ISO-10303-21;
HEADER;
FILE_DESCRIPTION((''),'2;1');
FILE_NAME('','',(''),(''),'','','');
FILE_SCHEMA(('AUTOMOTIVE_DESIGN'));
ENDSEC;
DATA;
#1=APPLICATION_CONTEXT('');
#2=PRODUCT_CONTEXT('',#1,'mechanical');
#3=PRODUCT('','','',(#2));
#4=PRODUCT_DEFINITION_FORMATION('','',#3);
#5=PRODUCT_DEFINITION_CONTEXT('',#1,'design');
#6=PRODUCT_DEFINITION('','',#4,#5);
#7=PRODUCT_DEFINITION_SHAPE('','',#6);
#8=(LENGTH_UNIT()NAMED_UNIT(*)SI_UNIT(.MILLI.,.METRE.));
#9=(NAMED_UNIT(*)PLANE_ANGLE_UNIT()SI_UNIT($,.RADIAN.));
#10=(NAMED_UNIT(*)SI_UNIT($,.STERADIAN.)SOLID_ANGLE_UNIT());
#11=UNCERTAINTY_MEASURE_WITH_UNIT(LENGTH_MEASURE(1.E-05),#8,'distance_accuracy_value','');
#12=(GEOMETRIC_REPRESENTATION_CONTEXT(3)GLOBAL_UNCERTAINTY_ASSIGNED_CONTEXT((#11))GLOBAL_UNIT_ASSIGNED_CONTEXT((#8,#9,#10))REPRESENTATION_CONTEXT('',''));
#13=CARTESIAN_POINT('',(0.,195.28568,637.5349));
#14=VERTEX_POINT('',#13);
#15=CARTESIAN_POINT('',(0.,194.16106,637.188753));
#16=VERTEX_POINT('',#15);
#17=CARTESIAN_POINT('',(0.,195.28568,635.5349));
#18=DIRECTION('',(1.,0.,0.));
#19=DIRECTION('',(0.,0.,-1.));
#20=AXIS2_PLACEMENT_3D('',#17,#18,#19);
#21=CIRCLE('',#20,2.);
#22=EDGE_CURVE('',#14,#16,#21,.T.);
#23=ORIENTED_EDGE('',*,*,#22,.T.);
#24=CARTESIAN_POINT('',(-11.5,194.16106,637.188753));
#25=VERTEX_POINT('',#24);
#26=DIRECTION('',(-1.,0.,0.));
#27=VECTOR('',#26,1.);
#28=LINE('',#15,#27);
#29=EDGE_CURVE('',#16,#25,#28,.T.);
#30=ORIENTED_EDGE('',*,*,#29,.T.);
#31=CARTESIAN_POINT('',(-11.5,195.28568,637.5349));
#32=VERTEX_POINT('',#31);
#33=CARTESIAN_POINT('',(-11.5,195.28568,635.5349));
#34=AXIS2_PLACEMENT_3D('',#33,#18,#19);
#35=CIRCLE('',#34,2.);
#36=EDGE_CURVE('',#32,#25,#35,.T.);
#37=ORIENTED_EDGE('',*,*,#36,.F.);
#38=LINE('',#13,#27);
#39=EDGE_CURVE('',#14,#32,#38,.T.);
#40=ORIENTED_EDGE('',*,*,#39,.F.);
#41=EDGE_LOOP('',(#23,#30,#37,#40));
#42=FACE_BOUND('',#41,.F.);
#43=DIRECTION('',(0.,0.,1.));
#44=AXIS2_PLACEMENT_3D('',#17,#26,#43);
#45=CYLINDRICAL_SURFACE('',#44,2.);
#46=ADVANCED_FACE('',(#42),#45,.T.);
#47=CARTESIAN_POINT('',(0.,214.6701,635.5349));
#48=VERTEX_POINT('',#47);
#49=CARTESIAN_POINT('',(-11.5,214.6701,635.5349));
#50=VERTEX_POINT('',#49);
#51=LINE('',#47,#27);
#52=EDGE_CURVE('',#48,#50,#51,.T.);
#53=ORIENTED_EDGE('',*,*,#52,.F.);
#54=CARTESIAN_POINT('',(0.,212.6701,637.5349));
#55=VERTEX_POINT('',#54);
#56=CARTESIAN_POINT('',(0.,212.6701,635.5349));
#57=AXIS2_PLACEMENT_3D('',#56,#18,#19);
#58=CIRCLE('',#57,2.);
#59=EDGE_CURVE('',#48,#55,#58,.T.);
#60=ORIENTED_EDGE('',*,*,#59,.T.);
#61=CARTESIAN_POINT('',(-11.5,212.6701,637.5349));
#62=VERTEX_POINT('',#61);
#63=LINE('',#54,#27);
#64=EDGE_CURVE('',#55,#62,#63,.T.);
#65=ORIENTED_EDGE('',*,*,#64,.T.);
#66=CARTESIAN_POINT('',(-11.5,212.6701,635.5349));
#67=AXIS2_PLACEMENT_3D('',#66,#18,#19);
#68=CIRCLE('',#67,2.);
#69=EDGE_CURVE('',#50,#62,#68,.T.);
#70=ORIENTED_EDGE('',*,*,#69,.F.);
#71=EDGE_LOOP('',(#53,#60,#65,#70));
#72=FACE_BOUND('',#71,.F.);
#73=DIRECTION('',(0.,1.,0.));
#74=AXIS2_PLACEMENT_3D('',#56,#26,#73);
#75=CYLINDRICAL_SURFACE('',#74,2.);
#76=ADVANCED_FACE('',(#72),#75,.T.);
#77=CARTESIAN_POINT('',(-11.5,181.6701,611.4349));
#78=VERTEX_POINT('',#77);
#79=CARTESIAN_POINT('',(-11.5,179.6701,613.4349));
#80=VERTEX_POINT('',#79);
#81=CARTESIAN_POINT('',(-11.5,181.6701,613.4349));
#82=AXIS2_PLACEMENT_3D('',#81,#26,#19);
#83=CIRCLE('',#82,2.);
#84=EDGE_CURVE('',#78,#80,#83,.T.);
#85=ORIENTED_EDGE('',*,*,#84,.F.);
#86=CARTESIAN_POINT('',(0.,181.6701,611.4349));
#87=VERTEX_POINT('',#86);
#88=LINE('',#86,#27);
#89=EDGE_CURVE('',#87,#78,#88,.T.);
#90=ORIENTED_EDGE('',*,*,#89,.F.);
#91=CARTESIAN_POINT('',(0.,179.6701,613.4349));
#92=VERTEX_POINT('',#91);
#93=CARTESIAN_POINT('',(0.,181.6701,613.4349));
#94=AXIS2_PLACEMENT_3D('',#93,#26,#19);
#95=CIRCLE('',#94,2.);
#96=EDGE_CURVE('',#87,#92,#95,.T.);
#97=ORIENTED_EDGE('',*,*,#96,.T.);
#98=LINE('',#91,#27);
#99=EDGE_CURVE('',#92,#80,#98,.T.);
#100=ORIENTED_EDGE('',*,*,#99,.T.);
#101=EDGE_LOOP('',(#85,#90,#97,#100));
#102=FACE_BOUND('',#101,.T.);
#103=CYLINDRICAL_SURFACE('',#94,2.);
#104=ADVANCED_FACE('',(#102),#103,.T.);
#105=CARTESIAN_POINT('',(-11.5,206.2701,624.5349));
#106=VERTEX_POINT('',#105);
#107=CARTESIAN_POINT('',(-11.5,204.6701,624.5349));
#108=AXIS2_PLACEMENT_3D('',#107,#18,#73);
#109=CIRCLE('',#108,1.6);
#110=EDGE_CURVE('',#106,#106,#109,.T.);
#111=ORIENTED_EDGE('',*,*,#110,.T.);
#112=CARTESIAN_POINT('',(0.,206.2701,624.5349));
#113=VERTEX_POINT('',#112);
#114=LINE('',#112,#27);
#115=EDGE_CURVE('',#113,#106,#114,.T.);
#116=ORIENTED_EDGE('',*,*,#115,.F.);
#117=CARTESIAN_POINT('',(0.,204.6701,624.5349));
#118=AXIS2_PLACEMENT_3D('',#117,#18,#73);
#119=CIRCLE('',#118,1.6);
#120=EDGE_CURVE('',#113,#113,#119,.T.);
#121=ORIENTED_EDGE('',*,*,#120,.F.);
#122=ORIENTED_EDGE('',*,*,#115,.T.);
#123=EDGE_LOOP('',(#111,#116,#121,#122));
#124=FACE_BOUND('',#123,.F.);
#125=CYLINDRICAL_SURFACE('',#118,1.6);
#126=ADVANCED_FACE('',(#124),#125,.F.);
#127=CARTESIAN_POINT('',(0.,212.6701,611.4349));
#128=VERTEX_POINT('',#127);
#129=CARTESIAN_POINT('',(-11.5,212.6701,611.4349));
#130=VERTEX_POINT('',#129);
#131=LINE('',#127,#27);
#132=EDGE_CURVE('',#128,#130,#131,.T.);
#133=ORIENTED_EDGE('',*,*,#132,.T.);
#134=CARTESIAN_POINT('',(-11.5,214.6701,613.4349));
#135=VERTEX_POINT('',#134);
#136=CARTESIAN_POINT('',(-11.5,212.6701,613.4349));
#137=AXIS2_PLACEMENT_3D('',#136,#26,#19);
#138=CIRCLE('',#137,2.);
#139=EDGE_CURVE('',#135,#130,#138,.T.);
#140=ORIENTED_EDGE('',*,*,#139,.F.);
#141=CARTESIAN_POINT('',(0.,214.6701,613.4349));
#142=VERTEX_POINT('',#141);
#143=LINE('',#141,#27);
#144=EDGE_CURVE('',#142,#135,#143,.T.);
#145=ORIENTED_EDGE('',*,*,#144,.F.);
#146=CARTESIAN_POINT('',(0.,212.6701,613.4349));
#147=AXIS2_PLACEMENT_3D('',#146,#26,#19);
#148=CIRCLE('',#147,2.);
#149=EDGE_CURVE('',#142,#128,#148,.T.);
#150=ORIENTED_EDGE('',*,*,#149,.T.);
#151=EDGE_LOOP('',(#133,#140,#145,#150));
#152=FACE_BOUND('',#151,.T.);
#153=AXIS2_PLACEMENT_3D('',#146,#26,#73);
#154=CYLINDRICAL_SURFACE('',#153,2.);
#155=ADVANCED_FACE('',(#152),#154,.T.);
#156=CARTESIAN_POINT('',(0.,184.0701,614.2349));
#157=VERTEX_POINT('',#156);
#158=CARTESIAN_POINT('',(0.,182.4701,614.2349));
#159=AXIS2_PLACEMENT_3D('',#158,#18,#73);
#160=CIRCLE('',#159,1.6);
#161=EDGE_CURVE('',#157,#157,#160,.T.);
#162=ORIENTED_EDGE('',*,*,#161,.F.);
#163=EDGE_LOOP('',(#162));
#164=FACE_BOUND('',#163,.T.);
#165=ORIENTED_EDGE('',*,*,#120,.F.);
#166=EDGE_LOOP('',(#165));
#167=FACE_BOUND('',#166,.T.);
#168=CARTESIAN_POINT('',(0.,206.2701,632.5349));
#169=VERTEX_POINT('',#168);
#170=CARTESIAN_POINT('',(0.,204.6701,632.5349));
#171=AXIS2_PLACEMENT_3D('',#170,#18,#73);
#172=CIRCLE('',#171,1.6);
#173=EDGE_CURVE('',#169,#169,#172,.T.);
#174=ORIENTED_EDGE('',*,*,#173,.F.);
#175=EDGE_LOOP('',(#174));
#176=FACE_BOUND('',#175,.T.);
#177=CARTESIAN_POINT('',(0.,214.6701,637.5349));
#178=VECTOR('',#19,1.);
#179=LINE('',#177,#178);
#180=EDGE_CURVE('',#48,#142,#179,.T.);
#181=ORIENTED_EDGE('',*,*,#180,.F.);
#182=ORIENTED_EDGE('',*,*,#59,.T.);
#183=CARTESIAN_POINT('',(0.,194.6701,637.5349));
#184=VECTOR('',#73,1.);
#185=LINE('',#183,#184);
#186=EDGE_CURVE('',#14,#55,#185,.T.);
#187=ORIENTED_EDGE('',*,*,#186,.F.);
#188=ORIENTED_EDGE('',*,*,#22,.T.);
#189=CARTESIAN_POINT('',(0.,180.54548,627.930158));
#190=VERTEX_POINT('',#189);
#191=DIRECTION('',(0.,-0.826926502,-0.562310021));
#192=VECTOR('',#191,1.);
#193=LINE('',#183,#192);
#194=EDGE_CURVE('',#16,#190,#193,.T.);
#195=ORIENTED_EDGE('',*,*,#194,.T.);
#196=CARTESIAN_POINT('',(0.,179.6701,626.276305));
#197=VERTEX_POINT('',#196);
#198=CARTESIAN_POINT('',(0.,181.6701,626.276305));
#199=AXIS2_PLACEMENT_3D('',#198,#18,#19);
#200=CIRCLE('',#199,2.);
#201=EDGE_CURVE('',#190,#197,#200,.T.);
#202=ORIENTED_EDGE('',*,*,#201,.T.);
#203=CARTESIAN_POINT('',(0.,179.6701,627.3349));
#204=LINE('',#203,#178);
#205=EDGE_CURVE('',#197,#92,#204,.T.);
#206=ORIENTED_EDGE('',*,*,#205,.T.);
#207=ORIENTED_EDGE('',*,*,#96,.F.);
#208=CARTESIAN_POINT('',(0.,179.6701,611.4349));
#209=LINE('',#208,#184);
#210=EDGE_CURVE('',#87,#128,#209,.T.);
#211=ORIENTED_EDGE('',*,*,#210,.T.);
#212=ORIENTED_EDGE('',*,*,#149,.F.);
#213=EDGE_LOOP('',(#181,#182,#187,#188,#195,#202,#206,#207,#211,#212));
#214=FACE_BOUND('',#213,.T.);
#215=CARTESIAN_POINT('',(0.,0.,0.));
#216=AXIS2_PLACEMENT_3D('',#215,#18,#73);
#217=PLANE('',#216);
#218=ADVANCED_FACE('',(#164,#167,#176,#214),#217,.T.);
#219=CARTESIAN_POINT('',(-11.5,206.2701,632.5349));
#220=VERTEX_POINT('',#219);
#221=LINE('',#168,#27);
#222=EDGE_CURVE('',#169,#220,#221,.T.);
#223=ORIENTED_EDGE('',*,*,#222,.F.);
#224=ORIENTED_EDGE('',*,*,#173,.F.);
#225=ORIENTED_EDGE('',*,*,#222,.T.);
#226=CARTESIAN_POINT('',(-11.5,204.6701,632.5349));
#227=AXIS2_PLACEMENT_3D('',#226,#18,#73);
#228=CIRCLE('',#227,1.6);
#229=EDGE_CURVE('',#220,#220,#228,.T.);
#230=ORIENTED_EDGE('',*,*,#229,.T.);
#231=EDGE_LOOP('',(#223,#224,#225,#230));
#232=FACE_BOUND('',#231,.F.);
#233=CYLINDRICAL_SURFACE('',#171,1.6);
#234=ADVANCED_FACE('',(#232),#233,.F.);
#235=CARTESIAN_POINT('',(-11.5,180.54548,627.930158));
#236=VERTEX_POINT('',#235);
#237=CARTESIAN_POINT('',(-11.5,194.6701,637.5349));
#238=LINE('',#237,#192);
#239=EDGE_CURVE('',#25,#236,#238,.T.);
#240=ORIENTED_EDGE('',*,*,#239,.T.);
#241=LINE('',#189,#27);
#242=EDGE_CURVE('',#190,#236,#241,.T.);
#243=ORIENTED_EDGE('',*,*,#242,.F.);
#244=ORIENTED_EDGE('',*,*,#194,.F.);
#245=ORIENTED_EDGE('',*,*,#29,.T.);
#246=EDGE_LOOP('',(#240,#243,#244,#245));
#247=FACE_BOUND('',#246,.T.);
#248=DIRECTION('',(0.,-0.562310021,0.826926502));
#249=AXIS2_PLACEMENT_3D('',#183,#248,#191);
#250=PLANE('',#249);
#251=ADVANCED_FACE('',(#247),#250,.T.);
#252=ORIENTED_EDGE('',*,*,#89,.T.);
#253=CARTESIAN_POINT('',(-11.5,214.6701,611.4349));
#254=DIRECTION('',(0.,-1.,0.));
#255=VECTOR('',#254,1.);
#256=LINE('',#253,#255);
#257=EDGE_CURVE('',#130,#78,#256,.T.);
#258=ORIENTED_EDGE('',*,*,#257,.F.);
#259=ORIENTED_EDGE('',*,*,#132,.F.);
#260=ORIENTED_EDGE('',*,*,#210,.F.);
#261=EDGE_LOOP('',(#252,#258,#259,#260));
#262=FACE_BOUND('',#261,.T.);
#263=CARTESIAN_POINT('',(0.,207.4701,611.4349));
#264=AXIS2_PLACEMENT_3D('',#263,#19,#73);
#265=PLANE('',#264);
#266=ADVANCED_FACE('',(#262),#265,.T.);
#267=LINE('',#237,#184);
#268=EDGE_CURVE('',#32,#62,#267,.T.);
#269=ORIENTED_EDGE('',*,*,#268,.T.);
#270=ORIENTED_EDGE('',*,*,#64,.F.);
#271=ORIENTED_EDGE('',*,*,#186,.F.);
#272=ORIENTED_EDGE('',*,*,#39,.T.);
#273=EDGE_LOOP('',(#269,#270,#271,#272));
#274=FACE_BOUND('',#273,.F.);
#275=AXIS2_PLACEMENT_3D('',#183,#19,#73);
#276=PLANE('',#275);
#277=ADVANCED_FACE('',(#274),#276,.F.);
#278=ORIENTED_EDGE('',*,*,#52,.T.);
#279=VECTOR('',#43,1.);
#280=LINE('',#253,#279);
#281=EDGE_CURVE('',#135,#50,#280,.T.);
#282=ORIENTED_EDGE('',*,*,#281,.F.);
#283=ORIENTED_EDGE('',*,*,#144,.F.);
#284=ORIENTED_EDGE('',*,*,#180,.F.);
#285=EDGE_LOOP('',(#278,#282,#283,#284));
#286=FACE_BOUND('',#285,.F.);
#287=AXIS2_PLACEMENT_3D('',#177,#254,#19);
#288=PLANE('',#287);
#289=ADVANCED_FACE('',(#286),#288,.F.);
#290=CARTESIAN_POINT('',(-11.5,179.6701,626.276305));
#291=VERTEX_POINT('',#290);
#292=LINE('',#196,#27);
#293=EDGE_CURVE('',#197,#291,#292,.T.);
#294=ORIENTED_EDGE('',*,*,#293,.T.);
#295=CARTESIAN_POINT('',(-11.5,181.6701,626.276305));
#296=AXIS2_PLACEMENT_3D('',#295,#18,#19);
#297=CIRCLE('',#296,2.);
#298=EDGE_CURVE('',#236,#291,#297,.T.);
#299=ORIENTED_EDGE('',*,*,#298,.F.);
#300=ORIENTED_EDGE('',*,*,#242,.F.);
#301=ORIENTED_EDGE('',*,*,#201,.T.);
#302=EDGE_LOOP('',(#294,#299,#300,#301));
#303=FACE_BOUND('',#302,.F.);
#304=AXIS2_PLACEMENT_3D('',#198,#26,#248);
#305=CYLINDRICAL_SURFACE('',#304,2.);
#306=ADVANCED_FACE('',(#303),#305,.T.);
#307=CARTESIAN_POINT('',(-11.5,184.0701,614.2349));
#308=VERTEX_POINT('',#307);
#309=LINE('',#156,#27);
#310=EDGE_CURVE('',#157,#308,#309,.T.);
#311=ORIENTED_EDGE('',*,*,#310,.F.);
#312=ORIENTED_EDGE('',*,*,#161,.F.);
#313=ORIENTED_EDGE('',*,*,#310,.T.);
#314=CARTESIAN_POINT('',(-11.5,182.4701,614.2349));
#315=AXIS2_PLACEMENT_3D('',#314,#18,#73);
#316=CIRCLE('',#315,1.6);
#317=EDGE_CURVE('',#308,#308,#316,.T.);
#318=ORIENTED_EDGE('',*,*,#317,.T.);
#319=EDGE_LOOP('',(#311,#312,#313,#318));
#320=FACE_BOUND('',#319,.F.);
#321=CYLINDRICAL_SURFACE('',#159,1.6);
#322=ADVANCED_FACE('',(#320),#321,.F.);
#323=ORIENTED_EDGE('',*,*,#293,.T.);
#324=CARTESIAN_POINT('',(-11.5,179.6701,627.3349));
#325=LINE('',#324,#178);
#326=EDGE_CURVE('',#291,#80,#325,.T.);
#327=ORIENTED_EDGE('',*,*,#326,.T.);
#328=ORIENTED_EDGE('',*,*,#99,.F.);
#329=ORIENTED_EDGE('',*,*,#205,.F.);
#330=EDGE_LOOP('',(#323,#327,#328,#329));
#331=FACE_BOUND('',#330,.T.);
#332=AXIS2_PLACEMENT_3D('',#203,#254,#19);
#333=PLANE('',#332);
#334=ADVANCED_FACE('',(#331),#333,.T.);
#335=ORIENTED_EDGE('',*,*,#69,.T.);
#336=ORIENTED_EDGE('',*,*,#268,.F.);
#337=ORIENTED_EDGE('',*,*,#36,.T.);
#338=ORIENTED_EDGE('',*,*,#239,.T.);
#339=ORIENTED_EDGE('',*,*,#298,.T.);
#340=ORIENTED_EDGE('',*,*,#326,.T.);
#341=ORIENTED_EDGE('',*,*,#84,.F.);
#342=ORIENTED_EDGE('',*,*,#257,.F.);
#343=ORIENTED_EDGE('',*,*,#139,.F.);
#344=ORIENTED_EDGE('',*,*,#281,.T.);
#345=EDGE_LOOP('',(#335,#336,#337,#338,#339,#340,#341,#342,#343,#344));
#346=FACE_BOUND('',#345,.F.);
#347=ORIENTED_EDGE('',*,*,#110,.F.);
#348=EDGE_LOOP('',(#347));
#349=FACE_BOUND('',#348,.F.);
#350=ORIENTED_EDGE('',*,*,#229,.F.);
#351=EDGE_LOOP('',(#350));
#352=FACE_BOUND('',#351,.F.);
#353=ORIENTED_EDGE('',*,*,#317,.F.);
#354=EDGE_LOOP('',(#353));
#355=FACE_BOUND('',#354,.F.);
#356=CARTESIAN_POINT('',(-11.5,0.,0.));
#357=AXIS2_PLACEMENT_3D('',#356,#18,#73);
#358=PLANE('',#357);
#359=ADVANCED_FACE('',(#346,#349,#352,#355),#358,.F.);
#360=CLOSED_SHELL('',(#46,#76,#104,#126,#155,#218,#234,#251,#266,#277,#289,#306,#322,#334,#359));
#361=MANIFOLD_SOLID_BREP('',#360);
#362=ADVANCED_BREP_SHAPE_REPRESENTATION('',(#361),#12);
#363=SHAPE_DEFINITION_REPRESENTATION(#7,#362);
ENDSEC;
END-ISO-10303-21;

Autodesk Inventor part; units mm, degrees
ref_plane "YZ Plane" through (0, 0, 0) normal (1, 0, 0) x (0, 1, 0)
ref_plane "XZ Plane" through (0, 0, 0) normal (0, 1, 0) x (-1, 0, 0)
ref_plane "XY Plane" through (0, 0, 0) normal (0, 0, 1) x (1, 0, 0)
sketch "スケッチ1" plane through (0, 0, 0) normal (1, 0, 0) x (0, 1, 0)
  line L0 (214.6701, 659.5349) -> (214.6701, -648.4651)
  line L1 (214.6701, 627.3349) -> (194.6701, 627.3349)
  line L2 (194.6701, 659.5349) -> (194.6701, -648.4651)
  line L3 (194.6701, 23.5349) -> (214.6701, 23.5349)
  line L4 (194.6701, -648.4651) -> (214.6701, -648.4651)
  line L5 (194.6701, 659.5349) -> (214.6701, 659.5349)
  line L6 (179.6701, 611.4349) -> (207.4701, 611.4349)
  line L7 (207.4701, 611.4349) -> (207.4701, 627.3349)
  line L8 (207.4701, 627.3349) -> (179.6701, 627.3349)
  line L9 (179.6701, 627.3349) -> (179.6701, 611.4349)
  circle A0 centre (182.4701, 614.2349) radius 1.6
  circle A1 centre (204.6701, 624.5349) radius 1.6
  circle A2 centre (204.6701, 632.5349) radius 1.6
  line L10 (179.6701, 77.6349) -> (207.4701, 77.6349)
  line L11 (207.4701, 77.6349) -> (207.4701, 61.7349)
  line L12 (207.4701, 61.7349) -> (179.6701, 61.7349)
  line L13 (179.6701, 61.7349) -> (179.6701, 77.6349)
  circle A3 centre (182.4701, 74.8349) radius 1.5
  circle A4 centre (204.6701, 64.5349) radius 1.5
  circle A5 centre (204.6701, 56.5349) radius 1.5
  line L14 (194.6701, 637.5349) -> (214.6701, 637.5349)
  line L15 (207.4701, 611.4349) -> (214.6701, 611.4349)
  line L16 (214.6701, 611.4349) -> (214.6701, 637.5349)
  line L17 (194.6701, 637.5349) -> (179.6701, 627.3349)
  point P0 (0, 0)
  point P1 (-205.3299, -216.1317)
  dimension "d0" = 672
  dimension "d1" = 27.8
  dimension "d2" = 15.9
  dimension "d3" = 3.2
  dimension "d4" = 3.2
  dimension "d5" = 2.8
  dimension "d6" = 2.8
  dimension "d7" = 2.8
  dimension "d8" = 2.8
  dimension "d9" = 0
  dimension "d10" = 10
  dimension "d11" = 3.2
  dimension "d12" = 8
  dimension "d13" = 10
  dimension "d14" = 27
  dimension "d15" = 27.8
  dimension "d16" = 15.9
  dimension "d17" = 3
  dimension "d18" = 3
  dimension "d19" = 2.8
  dimension "d20" = 2.8
  dimension "d21" = 2.8
  dimension "d22" = 2.8
  dimension "d23" = 10
  dimension "d24" = 560
  dimension "d25" = 3
  dimension "d26" = 8
  dimension "d27" = 10
  dimension "d28" = 5
extrude "押し出し1" add sketch "スケッチ1" against normal blind 11.5 contours L0 L1 L2 L14 | L0 L15 L7 L1 | L2 L8 L17 | L7 L6 L2 L1 | L2 L6 L9 L8
fillet "フィレット1" radius 2 5 edges at (-5.75, 194.6701, 637.5349) (-5.75, 214.6701, 637.5349) (-5.75, 214.6701, 611.4349) (-5.75, 179.6701, 611.4349) (-5.75, 179.6701, 627.3349)
equation "\"d3\" = d11"
equation "\"d4\" = d11"
equation "\"d6\" = d5"
equation "\"d7\" = d5"
equation "\"d8\" = d5"
equation "\"d20\" = d19"
equation "\"d21\" = d19"
equation "\"d22\" = d19"
properties part number "dribl-v1-3DP-l-F-1" material "ABS プラスチック"
